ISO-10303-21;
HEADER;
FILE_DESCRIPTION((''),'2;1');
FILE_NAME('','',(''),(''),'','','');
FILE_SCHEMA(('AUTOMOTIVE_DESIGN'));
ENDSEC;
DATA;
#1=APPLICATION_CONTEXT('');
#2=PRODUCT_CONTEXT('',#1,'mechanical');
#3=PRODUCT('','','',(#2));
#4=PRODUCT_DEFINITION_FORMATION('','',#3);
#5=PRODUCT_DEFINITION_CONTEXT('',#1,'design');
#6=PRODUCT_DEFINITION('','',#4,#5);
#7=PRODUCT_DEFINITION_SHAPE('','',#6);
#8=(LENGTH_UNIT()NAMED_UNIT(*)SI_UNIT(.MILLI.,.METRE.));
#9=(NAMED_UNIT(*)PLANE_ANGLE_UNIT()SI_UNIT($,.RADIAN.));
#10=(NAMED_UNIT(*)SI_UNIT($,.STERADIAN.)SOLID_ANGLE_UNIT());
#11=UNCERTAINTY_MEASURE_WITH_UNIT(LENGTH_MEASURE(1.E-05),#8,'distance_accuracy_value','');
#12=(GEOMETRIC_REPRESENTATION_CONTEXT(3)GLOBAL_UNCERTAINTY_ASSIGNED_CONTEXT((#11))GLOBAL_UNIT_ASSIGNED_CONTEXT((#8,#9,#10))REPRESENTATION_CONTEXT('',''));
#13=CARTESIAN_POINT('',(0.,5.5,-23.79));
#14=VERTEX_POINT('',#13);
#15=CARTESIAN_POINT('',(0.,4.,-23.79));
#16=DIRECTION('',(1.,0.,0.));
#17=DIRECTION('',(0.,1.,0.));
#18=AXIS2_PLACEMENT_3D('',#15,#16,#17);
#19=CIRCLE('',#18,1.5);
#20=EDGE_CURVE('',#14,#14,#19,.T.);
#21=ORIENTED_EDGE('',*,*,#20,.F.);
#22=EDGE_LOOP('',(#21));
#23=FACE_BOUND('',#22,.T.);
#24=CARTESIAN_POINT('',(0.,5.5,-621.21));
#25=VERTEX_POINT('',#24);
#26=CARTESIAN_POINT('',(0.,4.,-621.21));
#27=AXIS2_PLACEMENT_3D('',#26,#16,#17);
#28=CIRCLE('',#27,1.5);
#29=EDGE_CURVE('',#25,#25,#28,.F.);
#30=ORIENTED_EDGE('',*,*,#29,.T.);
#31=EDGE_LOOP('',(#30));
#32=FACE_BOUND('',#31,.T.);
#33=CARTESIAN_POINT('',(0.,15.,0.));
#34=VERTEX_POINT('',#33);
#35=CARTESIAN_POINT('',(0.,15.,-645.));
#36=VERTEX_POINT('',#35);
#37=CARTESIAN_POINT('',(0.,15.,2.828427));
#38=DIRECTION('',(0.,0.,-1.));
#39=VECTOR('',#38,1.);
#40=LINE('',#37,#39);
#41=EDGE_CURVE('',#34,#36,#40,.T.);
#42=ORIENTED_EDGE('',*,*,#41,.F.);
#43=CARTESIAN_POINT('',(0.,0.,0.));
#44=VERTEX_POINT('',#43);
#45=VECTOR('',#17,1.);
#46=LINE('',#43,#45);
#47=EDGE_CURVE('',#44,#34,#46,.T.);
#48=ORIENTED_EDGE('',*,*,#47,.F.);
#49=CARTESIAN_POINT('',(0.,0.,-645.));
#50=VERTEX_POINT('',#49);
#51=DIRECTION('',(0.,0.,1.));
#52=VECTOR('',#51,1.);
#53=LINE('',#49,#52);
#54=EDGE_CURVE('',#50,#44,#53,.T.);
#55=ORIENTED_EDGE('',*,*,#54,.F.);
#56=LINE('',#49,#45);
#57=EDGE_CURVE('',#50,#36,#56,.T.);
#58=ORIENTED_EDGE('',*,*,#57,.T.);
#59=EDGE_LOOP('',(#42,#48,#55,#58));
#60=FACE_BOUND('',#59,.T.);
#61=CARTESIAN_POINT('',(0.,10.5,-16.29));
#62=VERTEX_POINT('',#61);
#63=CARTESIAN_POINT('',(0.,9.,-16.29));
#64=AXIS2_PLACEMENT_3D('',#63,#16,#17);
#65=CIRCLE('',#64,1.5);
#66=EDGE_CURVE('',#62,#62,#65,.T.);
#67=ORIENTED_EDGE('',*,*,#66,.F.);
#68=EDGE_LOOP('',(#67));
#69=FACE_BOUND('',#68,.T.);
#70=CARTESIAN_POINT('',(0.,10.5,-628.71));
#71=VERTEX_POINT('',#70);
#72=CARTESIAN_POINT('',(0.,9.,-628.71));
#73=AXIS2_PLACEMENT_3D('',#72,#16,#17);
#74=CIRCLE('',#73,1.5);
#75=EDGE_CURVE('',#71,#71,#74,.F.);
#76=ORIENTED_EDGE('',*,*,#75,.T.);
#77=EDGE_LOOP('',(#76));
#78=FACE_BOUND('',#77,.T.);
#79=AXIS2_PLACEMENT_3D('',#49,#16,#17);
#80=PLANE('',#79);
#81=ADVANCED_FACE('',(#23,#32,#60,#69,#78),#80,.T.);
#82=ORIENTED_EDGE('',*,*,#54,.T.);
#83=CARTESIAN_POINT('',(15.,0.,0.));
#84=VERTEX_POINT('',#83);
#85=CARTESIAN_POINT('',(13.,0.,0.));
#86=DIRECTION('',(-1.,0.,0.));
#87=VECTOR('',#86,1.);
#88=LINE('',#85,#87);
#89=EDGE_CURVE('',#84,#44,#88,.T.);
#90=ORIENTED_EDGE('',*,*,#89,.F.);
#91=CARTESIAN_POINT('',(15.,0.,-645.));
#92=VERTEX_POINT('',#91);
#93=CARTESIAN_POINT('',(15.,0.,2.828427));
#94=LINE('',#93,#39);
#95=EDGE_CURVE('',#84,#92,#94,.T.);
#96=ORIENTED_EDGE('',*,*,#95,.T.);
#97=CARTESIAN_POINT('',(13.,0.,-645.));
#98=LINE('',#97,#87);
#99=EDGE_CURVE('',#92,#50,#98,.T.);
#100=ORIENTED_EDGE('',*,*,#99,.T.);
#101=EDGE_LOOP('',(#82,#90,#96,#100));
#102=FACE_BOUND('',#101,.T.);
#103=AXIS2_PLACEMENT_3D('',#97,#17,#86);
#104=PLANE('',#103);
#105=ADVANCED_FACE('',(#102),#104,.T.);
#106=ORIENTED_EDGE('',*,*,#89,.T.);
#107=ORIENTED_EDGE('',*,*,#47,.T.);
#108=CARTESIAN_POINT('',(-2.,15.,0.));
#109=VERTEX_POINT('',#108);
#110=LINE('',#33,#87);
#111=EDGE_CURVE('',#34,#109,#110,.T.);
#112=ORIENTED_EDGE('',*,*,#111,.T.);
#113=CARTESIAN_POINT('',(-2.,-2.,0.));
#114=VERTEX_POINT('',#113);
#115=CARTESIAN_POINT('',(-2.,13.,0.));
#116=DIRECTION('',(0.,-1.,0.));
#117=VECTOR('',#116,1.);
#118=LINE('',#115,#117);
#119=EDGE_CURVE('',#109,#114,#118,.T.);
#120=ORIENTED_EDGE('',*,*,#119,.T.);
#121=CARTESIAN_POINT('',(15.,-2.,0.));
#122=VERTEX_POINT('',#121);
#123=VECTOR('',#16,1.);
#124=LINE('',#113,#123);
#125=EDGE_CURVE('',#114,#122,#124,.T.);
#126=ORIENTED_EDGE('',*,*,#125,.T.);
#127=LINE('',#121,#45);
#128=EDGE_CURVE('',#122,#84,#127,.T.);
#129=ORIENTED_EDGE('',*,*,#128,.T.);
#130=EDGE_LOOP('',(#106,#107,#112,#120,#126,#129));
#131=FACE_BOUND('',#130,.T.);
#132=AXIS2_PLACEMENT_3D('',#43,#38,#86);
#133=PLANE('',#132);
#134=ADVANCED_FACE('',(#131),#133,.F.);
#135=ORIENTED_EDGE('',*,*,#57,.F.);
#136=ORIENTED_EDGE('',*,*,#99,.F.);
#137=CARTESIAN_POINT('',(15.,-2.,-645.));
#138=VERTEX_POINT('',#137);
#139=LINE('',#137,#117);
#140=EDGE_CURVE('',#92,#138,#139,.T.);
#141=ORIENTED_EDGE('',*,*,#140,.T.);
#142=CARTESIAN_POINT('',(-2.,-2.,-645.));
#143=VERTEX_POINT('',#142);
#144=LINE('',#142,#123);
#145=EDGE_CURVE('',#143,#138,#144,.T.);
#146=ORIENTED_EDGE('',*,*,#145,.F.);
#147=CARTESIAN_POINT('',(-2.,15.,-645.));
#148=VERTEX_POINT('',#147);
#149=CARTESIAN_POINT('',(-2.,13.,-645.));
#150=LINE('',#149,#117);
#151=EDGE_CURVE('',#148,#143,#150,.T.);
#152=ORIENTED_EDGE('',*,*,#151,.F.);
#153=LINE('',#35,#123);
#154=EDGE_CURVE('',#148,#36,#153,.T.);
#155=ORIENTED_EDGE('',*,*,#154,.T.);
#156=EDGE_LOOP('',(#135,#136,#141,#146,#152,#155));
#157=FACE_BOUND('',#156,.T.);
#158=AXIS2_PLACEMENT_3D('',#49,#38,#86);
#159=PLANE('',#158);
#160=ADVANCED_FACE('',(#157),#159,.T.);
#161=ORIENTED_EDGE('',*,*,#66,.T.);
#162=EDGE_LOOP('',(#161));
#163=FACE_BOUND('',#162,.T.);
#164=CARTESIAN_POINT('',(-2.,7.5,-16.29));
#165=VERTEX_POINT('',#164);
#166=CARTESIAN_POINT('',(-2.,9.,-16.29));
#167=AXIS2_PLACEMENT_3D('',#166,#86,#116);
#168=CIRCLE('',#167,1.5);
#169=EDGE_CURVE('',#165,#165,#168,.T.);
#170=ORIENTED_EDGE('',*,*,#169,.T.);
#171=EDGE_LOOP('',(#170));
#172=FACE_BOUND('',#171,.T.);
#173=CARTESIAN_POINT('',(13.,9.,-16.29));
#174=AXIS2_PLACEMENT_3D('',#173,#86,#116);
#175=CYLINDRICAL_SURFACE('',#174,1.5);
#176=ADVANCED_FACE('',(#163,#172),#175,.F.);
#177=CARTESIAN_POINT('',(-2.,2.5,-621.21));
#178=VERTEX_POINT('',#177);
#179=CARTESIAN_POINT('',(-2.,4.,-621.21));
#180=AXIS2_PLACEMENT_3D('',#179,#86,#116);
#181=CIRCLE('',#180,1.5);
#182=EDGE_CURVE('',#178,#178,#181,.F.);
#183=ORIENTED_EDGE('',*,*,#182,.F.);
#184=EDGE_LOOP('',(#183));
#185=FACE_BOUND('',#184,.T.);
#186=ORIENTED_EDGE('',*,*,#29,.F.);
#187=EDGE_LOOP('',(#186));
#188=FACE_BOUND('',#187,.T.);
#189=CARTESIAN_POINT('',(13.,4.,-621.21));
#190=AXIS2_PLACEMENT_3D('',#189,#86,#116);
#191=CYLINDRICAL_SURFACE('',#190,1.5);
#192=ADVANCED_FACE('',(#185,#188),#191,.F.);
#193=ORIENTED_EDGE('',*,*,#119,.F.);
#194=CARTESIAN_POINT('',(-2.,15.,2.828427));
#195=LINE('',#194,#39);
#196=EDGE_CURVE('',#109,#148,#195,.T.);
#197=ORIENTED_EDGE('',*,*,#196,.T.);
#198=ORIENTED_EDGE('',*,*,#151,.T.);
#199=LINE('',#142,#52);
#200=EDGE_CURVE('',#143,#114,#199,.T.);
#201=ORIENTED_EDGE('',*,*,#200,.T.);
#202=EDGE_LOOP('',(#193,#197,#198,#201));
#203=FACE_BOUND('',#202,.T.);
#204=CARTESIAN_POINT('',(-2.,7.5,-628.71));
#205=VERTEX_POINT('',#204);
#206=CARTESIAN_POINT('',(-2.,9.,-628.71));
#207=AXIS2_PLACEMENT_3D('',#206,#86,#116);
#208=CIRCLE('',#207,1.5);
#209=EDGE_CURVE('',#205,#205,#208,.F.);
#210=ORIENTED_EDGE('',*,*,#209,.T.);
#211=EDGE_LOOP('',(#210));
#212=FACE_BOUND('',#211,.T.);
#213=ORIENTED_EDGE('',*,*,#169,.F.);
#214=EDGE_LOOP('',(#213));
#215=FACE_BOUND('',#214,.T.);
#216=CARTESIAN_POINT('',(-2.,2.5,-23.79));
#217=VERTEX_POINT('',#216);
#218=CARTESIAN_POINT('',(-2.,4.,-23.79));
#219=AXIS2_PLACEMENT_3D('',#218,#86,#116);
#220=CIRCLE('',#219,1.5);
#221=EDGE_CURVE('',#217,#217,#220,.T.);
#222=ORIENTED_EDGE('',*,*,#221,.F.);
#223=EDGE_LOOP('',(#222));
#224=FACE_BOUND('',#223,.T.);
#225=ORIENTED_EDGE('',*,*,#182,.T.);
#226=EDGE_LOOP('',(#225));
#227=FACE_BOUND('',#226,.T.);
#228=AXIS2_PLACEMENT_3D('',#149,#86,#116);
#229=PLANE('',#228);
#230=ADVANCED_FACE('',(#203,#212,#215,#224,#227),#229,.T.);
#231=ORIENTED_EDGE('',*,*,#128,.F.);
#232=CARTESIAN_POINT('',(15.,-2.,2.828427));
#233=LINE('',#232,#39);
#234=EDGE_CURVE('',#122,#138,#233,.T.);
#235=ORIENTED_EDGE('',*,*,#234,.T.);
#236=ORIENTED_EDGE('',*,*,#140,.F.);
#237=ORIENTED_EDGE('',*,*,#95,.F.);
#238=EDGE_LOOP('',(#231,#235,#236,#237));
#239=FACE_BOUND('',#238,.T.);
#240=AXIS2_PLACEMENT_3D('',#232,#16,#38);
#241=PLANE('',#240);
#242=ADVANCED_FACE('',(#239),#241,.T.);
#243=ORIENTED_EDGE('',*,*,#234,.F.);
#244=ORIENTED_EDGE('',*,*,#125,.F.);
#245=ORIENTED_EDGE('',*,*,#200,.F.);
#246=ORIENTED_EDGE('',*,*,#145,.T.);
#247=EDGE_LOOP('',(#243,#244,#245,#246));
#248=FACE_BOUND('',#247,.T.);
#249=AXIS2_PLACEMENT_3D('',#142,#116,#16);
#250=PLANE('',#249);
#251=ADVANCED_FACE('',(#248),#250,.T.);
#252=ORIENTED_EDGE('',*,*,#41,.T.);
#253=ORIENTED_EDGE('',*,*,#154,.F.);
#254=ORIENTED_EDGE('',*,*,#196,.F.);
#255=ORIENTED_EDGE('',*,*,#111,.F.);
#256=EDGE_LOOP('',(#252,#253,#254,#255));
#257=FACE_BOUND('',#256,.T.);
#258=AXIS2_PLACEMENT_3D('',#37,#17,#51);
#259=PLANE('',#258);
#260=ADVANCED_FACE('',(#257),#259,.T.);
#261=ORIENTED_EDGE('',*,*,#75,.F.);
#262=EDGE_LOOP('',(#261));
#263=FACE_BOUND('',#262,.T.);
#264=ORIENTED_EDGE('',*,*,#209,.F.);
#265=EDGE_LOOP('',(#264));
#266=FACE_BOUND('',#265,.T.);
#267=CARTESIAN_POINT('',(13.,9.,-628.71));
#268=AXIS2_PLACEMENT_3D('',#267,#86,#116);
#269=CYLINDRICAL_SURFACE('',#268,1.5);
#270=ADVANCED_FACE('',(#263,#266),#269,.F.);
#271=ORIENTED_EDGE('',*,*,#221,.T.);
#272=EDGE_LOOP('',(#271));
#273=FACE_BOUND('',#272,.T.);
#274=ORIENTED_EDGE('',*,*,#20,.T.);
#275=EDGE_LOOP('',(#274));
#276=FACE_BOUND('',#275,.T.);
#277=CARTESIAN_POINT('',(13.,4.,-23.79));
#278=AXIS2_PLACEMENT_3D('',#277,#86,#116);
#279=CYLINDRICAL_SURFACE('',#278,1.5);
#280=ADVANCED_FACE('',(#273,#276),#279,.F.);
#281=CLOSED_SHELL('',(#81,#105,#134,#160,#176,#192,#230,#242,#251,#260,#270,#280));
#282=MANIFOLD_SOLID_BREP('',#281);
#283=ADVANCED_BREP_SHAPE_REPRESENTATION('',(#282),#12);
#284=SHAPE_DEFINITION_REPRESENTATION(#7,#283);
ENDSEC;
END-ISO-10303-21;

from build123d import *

# Parameters (mm, degrees)
EXTRUDE_1_DEPTH     = 645
SKETCH_2_R          = 1.5
CUT_EXTRUDE_2_DEPTH = 646.305354077
SKETCH_3_W          = 2
SKETCH_3_H          = 2
EXTRUDE_2_DEPTH     = 645


with BuildPart() as part:
    # Эскиз1 → Бобышка-Вытянуть1 (new body)
    with BuildSketch(Plane.XY):
        Polygon((0, 0), (0, 13), (-2, 13), (-2, -2), (13, -2), (13, 0), align=None)
    extrude(amount=-EXTRUDE_1_DEPTH)

    # Эскиз2 → Вырез-Вытянуть2 (cut, through all)
    with BuildSketch(Plane.ZY.offset(2)):
        with Locations(Location((-23.79, 4, 0), (0, 0, 270))):
            Circle(SKETCH_2_R)
        with Locations(Location((-16.29, 9, 0), (0, 0, 270))):
            Circle(SKETCH_2_R)
        with Locations(Location((-628.71, 9, 0), (0, 0, 270))):
            Circle(SKETCH_2_R)
        with Locations(Location((-621.21, 4, 0), (0, 0, 270))):
            Circle(SKETCH_2_R)
    extrude(amount=-CUT_EXTRUDE_2_DEPTH, mode=Mode.SUBTRACT)

    # Эскиз3 → Бобышка-Вытянуть2 (add)
    with BuildSketch(Plane(origin=(0, 0, -645), x_dir=(-1, 0, 0), z_dir=(0, 0, -1))):
        with Locations((-14, -1)):
            Rectangle(SKETCH_3_W, SKETCH_3_H)
        with Locations((1, 14)):
            Rectangle(SKETCH_3_W, SKETCH_3_H)
    extrude(amount=-EXTRUDE_2_DEPTH)


solid = part.part
